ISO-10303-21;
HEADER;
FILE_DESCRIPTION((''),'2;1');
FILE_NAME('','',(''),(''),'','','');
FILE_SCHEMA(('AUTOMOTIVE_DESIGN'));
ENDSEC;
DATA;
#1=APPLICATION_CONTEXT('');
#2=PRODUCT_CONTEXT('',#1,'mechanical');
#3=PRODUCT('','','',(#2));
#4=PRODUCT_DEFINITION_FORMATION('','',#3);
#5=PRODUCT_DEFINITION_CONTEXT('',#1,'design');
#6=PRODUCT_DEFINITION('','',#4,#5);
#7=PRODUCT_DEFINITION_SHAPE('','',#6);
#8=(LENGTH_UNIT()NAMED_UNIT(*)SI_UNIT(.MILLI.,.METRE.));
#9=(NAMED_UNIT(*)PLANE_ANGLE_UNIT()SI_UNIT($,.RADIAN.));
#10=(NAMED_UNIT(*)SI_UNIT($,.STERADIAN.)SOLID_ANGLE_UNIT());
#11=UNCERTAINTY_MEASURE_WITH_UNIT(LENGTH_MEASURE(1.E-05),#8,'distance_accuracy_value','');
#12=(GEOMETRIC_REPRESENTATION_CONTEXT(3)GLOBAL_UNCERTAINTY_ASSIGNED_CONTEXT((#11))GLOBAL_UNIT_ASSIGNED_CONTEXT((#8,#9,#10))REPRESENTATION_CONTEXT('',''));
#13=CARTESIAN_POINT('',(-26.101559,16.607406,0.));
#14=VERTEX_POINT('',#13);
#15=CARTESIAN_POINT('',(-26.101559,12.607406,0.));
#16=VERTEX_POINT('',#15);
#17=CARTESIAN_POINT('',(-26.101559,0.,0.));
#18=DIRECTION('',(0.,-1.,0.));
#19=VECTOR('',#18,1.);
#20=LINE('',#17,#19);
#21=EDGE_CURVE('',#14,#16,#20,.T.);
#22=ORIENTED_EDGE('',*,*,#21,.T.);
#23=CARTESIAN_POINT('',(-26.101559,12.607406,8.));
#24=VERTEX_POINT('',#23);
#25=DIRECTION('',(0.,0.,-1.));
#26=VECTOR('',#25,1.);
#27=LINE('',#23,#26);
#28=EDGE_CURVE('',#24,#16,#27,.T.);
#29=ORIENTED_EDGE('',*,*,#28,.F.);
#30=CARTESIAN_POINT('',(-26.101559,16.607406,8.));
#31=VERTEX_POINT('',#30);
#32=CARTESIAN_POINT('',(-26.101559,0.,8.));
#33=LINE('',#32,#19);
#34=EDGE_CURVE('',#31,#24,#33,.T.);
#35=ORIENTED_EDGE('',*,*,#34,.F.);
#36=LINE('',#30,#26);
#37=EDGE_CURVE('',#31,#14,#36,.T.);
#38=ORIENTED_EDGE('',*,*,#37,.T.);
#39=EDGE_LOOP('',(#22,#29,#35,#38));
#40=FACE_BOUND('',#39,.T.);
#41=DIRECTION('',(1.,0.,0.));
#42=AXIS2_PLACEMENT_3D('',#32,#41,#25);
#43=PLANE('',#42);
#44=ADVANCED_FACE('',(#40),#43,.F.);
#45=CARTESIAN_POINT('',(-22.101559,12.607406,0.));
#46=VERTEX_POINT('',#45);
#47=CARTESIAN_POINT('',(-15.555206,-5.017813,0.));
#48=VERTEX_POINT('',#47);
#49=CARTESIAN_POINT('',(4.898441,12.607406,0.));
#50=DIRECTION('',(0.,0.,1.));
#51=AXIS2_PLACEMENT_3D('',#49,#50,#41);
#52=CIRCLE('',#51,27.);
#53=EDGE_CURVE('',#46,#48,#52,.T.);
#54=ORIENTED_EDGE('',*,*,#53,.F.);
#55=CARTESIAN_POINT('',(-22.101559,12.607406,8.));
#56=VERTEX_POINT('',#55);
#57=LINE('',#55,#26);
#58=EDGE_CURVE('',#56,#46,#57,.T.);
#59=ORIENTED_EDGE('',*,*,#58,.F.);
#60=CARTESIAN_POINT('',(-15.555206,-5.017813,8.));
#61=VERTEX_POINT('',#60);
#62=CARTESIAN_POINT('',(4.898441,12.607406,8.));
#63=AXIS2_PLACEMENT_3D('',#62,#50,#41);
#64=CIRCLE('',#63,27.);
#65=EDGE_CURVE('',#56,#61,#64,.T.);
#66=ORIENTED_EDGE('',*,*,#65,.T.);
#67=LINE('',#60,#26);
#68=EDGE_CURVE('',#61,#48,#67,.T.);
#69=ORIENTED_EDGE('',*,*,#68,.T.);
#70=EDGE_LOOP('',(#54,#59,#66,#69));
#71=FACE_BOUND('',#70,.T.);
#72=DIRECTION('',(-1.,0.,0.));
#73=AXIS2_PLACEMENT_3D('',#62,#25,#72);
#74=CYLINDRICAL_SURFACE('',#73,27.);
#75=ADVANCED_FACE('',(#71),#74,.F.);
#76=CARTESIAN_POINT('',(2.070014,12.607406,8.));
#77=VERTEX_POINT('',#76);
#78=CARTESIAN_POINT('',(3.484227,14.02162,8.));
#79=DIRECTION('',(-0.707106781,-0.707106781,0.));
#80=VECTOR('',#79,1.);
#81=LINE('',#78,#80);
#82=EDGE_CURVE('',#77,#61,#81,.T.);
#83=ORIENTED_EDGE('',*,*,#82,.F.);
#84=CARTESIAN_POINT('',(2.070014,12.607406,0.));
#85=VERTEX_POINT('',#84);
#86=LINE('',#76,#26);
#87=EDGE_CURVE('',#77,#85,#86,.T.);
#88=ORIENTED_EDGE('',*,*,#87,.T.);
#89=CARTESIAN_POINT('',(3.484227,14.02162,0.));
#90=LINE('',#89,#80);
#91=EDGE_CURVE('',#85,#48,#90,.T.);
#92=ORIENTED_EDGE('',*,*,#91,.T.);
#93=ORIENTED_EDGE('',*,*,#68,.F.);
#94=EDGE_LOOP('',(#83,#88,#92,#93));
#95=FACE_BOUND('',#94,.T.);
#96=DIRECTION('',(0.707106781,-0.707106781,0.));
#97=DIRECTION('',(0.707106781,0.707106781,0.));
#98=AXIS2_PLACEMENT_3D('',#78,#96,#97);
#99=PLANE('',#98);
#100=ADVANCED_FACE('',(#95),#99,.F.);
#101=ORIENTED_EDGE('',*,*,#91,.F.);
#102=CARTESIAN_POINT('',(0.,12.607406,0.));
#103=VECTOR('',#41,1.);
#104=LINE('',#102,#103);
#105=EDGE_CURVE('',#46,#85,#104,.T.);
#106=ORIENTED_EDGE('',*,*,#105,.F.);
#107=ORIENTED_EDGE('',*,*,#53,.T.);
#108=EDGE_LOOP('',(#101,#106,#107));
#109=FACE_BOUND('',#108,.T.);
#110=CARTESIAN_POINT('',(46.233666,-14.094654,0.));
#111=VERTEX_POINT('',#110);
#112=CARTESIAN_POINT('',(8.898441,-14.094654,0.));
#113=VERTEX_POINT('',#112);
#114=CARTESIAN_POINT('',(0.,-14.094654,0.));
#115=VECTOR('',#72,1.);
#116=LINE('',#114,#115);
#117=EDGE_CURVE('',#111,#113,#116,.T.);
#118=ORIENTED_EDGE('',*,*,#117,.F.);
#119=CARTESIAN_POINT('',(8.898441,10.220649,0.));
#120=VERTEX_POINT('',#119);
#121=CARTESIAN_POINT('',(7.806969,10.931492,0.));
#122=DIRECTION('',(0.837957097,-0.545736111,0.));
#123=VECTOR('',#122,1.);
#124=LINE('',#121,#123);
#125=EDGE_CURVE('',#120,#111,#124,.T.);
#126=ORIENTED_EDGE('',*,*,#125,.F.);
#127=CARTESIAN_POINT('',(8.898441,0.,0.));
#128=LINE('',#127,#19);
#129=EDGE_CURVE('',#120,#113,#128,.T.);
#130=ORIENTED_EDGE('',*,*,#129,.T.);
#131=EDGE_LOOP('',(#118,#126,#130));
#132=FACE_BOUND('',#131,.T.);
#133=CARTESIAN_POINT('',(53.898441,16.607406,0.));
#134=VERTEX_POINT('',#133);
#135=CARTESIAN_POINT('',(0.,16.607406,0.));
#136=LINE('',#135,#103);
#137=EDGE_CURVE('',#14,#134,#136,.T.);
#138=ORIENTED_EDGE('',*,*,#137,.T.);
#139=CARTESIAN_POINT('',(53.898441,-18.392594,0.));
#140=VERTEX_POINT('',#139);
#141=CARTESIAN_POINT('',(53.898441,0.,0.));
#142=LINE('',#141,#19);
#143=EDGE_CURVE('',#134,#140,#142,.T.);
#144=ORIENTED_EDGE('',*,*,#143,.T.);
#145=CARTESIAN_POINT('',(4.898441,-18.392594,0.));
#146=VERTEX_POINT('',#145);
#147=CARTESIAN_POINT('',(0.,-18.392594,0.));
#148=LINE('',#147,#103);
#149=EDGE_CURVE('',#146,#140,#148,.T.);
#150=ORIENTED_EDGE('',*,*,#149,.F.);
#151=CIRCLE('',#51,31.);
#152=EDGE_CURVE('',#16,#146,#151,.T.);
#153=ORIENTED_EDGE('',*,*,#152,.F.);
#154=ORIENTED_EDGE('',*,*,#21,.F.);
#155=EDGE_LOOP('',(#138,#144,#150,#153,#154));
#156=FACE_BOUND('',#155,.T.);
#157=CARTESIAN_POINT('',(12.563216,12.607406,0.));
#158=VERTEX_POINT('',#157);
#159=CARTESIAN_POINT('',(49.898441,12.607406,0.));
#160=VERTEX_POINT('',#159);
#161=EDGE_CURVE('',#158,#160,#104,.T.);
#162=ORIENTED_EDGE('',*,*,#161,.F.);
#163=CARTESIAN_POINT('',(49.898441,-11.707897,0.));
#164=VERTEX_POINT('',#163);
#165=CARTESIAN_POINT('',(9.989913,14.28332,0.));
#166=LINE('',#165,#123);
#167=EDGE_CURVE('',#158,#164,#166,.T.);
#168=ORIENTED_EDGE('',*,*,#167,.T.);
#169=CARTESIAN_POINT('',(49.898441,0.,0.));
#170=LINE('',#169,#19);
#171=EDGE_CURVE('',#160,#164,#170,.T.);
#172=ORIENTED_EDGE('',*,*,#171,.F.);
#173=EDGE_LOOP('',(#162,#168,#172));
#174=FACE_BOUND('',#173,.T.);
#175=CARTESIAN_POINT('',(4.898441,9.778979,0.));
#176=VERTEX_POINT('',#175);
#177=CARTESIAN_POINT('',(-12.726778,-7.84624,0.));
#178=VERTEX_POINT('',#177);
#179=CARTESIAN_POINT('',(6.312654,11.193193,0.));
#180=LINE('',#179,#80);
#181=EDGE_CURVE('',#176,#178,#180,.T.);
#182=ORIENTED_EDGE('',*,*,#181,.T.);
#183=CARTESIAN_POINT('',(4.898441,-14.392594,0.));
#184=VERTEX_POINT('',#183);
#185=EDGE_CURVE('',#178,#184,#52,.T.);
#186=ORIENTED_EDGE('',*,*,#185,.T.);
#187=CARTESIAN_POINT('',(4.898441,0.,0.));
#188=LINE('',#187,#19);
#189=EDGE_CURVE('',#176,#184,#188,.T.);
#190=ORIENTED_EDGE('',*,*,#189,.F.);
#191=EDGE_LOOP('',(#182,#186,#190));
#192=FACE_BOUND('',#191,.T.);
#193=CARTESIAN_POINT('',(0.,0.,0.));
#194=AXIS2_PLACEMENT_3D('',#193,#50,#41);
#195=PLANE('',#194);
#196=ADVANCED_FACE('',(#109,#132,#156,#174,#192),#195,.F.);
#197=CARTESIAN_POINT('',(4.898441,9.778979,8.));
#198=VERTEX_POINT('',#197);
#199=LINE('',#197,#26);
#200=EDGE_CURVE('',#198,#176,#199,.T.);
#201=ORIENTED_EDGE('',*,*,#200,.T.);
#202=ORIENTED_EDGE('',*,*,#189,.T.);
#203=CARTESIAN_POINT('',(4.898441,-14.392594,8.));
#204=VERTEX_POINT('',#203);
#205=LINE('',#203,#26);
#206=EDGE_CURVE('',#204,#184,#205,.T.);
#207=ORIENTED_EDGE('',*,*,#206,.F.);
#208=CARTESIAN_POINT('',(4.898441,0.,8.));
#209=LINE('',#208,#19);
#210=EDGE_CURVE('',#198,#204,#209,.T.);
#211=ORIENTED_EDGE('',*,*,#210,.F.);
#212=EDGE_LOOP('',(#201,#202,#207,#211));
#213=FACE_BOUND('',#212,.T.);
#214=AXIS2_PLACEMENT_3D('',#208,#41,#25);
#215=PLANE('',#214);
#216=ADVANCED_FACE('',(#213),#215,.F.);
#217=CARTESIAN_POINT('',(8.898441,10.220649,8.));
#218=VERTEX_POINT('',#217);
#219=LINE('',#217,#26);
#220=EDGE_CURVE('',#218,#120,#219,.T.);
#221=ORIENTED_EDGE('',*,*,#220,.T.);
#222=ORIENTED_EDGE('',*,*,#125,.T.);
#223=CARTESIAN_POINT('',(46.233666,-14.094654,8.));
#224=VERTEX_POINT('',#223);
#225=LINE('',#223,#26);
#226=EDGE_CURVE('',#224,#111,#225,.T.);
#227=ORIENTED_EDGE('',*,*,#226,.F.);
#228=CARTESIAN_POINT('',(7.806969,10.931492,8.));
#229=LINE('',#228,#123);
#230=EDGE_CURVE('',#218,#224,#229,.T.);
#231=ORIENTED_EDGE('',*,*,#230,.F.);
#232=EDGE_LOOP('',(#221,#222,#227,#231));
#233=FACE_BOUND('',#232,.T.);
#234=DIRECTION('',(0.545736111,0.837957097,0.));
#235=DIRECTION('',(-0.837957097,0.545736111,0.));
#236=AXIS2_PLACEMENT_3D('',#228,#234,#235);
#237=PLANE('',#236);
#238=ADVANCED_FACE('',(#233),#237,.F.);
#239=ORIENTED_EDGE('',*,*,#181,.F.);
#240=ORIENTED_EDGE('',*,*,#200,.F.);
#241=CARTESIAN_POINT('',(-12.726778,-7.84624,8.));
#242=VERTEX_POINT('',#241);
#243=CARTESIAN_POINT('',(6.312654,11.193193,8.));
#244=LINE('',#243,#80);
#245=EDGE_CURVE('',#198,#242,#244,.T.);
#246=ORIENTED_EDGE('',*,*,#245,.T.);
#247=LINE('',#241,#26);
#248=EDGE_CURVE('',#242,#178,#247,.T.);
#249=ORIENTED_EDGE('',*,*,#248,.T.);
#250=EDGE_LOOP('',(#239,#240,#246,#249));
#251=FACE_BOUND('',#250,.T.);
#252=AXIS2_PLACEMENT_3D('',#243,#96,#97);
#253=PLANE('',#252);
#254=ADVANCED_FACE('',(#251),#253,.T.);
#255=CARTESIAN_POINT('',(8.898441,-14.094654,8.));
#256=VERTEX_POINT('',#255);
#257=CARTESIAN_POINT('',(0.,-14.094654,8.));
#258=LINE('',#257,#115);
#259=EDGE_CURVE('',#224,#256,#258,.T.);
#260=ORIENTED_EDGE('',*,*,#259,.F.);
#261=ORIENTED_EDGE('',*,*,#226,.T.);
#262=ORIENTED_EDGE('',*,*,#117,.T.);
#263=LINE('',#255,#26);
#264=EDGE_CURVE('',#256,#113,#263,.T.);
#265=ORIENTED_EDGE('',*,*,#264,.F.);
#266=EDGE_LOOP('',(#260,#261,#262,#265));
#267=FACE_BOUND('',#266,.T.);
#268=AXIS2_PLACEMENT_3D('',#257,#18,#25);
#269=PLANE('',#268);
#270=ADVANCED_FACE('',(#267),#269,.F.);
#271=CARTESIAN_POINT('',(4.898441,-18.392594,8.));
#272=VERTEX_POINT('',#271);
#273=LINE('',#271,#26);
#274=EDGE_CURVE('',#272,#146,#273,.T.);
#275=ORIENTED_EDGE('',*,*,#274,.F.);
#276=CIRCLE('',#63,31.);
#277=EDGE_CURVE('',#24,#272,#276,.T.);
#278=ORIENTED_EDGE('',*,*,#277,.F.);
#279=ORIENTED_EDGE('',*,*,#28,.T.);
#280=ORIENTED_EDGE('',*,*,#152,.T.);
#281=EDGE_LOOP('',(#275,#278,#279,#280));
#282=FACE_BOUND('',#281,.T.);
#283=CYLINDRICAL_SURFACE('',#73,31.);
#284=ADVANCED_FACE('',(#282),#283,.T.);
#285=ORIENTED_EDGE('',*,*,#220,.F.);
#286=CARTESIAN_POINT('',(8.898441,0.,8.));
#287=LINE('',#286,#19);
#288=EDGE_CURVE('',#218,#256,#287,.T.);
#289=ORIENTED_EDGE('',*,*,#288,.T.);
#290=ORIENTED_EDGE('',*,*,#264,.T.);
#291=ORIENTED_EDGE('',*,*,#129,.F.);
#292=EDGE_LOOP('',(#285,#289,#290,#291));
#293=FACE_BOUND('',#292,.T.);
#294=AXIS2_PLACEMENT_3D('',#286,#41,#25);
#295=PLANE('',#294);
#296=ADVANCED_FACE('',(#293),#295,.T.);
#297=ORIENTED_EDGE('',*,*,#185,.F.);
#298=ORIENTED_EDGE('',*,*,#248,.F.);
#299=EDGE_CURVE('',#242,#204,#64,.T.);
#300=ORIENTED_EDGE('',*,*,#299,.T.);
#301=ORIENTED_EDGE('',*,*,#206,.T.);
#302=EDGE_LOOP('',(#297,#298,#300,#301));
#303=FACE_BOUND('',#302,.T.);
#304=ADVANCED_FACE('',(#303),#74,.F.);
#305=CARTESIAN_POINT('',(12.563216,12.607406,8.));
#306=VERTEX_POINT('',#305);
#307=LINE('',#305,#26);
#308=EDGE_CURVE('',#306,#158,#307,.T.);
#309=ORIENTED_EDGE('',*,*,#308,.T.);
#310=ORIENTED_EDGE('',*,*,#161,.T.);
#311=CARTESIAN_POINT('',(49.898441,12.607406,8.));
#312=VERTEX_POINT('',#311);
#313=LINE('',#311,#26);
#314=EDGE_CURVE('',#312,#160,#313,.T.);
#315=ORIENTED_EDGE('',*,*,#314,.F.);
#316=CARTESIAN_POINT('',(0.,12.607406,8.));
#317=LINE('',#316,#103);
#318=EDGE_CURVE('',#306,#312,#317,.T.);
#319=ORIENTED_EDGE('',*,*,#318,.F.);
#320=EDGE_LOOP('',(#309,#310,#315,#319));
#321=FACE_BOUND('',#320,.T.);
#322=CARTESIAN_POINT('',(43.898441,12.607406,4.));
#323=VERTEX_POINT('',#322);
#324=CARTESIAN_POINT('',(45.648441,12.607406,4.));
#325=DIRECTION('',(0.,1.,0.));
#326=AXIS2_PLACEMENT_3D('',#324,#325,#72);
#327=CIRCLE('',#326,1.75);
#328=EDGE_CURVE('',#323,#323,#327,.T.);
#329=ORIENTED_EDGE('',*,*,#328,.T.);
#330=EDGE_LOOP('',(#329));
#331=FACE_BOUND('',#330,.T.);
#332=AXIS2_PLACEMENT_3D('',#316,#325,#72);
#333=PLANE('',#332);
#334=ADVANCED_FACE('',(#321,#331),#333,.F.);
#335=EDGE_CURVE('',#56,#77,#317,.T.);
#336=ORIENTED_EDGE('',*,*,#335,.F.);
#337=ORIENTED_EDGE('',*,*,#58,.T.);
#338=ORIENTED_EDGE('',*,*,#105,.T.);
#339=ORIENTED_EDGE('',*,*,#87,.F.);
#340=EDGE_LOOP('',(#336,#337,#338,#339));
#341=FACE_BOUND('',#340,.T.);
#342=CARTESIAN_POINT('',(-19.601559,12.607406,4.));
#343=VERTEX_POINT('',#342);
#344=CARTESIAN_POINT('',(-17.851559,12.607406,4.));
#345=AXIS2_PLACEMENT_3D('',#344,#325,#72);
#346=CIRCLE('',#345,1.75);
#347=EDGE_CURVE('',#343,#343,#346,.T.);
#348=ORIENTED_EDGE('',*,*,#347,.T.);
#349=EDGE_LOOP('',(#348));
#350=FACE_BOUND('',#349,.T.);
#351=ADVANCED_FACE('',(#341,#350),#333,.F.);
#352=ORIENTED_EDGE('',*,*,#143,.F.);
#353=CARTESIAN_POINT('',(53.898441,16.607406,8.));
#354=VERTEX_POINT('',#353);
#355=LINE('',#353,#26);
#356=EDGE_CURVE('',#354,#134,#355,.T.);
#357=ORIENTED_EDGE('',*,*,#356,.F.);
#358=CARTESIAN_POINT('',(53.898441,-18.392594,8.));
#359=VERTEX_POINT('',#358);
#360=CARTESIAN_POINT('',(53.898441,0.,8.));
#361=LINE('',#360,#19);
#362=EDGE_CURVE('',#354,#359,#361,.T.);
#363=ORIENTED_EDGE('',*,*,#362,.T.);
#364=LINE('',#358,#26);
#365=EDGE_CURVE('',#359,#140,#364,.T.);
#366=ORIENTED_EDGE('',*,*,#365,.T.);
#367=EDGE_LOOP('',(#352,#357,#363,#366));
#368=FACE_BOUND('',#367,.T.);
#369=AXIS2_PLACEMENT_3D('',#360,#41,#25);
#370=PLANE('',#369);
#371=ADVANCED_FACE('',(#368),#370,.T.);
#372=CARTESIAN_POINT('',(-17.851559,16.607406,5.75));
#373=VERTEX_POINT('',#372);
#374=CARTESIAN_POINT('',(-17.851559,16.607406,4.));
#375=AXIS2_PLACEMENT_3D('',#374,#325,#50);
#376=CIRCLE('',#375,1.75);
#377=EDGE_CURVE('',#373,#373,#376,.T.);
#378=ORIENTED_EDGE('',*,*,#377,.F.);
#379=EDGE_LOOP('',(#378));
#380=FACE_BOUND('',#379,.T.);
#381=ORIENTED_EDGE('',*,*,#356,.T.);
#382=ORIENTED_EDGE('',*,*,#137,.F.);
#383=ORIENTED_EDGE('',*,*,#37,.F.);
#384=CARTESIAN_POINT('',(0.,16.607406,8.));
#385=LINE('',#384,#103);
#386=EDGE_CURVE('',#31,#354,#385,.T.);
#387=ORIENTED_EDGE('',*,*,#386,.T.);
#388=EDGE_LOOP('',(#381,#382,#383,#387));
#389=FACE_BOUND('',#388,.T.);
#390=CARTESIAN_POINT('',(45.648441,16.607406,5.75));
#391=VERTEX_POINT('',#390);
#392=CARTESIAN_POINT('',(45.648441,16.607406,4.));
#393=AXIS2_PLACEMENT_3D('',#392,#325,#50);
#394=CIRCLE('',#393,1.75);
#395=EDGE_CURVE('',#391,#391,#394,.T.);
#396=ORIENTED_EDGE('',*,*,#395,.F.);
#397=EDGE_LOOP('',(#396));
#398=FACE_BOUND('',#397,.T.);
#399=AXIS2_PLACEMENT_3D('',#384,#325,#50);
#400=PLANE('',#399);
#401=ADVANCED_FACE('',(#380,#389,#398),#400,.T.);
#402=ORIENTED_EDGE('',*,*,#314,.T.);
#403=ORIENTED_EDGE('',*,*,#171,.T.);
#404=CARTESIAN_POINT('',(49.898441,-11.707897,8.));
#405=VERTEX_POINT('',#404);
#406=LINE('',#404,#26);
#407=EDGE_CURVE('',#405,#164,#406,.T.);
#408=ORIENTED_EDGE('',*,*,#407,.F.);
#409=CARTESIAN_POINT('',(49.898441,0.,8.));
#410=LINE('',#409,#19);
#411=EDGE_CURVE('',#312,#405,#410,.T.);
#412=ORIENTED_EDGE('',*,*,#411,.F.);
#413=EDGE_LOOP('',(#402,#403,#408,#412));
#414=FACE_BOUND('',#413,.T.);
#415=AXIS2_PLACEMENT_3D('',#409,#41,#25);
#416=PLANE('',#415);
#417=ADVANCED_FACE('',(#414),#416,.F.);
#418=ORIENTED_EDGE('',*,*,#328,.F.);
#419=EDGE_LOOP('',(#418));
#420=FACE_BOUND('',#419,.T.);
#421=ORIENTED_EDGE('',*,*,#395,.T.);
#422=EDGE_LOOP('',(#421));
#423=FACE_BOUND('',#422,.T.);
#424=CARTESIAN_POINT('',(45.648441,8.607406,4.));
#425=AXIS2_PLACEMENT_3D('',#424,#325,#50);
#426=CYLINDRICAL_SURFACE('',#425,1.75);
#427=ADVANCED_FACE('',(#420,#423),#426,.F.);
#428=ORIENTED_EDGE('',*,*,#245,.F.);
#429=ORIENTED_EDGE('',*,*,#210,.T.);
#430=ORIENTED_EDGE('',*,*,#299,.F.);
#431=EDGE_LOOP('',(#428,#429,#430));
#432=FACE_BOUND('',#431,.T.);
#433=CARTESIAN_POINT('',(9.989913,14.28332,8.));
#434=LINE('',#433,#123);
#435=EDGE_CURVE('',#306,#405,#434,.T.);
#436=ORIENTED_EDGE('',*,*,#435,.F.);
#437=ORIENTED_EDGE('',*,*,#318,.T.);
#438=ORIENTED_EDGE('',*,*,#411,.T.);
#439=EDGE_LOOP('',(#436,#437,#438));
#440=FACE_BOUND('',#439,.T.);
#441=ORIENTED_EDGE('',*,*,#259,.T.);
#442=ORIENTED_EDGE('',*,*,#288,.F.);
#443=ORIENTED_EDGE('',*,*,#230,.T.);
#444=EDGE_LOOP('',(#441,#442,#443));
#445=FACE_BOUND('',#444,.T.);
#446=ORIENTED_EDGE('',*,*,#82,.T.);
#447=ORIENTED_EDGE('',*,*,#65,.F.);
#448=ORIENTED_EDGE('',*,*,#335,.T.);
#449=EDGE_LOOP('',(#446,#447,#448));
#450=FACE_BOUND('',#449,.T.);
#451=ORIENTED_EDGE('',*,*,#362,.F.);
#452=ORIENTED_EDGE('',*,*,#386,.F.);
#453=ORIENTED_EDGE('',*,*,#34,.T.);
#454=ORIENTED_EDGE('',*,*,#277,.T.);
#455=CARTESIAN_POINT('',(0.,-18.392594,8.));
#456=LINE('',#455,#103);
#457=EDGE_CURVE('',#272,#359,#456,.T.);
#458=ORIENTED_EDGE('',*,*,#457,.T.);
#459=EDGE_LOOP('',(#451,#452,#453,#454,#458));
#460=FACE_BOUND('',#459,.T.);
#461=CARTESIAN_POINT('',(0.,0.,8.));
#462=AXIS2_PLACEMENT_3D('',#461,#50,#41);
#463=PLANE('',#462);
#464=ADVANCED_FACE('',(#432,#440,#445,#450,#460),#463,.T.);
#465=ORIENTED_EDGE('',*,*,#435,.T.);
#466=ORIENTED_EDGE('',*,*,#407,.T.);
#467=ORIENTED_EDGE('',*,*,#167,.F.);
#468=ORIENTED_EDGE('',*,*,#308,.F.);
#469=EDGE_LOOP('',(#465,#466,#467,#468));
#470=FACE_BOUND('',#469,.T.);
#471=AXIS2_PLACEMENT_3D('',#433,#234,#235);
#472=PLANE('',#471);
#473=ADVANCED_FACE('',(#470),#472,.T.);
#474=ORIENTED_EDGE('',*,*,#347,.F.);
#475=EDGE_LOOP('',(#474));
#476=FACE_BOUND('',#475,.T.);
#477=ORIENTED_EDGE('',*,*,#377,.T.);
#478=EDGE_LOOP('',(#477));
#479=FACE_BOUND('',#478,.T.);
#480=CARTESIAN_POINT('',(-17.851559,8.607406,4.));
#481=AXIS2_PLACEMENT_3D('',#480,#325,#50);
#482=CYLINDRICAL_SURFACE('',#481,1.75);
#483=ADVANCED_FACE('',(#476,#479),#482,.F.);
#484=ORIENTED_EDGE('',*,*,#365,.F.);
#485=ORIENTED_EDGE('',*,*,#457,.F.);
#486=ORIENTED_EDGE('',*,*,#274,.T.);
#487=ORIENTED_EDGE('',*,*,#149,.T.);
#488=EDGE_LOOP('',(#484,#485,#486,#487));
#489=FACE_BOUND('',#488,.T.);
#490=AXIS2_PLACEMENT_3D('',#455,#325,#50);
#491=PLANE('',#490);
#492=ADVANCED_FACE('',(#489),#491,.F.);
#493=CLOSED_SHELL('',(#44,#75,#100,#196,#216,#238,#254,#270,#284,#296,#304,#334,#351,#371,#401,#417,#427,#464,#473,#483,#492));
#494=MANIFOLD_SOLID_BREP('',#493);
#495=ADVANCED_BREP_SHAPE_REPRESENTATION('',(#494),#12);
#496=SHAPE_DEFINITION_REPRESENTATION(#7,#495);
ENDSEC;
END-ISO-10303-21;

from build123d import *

# Parameters (mm, degrees)
SALIENTE_EXTRUIR1_DEPTH = 8
CROQUIS2_R              = 1.75
CORTAR_EXTRUIR1_DEPTH   = 8


with BuildPart() as part:
    # Croquis1 → Saliente-Extruir1 (new body)
    with BuildSketch(Plane.XY):
        with BuildLine():
            ThreePointArc((-26.101559178, 12.607406095), (-17.021869395, -9.312904122), (4.898440822, -18.392593905))
            Line((4.898440822, -18.392593905), (53.898440822, -18.392593905))
            Line((53.898440822, -18.392593905), (53.898440822, 16.607406095))
            Line((53.898440822, 16.607406095), (-26.101559178, 16.607406095))
            Line((-26.101559178, 16.607406095), (-26.101559178, 12.607406095))
        make_face()
        with BuildLine():
            Line((-12.72677838, -7.846240232), (4.898440822, 9.77897897))
            Line((4.898440822, 9.77897897), (4.898440822, -14.392593905))
            ThreePointArc((4.898440822, -14.392593905), (-4.502398214, -12.703149518), (-12.72677838, -7.846240232))
        make_face(mode=Mode.SUBTRACT)
        Polygon((8.898440822, -14.094653751), (8.898440822, 10.220649056), (46.233665927, -14.094653751), align=None, mode=Mode.SUBTRACT)
        with BuildLine():
            Line((2.070013697, 12.607406095), (-15.555205505, -5.017813107))
            ThreePointArc((-15.555205505, -5.017813107), (-20.41211479, 3.206567059), (-22.101559178, 12.607406095))
            Line((-22.101559178, 12.607406095), (2.070013697, 12.607406095))
        make_face(mode=Mode.SUBTRACT)
        Polygon((49.898440822, 12.607406095), (49.898440822, -11.707896712), (12.563215718, 12.607406095), align=None, mode=Mode.SUBTRACT)
    extrude(amount=SALIENTE_EXTRUIR1_DEPTH)

    # Croquis2 → Cortar-Extruir1 (cut)
    with BuildSketch(Plane(origin=(0, 16.607406095, 0), x_dir=(1, 0, 0), z_dir=(0, 1, 0))):
        with Locations(Location((-17.851559178, -4, 0), (0, 0, 270))):
            Circle(CROQUIS2_R)
        with Locations(Location((45.648440822, -4, 0), (0, 0, 270))):
            Circle(CROQUIS2_R)
    extrude(amount=-CORTAR_EXTRUIR1_DEPTH, mode=Mode.SUBTRACT)


solid = part.part
